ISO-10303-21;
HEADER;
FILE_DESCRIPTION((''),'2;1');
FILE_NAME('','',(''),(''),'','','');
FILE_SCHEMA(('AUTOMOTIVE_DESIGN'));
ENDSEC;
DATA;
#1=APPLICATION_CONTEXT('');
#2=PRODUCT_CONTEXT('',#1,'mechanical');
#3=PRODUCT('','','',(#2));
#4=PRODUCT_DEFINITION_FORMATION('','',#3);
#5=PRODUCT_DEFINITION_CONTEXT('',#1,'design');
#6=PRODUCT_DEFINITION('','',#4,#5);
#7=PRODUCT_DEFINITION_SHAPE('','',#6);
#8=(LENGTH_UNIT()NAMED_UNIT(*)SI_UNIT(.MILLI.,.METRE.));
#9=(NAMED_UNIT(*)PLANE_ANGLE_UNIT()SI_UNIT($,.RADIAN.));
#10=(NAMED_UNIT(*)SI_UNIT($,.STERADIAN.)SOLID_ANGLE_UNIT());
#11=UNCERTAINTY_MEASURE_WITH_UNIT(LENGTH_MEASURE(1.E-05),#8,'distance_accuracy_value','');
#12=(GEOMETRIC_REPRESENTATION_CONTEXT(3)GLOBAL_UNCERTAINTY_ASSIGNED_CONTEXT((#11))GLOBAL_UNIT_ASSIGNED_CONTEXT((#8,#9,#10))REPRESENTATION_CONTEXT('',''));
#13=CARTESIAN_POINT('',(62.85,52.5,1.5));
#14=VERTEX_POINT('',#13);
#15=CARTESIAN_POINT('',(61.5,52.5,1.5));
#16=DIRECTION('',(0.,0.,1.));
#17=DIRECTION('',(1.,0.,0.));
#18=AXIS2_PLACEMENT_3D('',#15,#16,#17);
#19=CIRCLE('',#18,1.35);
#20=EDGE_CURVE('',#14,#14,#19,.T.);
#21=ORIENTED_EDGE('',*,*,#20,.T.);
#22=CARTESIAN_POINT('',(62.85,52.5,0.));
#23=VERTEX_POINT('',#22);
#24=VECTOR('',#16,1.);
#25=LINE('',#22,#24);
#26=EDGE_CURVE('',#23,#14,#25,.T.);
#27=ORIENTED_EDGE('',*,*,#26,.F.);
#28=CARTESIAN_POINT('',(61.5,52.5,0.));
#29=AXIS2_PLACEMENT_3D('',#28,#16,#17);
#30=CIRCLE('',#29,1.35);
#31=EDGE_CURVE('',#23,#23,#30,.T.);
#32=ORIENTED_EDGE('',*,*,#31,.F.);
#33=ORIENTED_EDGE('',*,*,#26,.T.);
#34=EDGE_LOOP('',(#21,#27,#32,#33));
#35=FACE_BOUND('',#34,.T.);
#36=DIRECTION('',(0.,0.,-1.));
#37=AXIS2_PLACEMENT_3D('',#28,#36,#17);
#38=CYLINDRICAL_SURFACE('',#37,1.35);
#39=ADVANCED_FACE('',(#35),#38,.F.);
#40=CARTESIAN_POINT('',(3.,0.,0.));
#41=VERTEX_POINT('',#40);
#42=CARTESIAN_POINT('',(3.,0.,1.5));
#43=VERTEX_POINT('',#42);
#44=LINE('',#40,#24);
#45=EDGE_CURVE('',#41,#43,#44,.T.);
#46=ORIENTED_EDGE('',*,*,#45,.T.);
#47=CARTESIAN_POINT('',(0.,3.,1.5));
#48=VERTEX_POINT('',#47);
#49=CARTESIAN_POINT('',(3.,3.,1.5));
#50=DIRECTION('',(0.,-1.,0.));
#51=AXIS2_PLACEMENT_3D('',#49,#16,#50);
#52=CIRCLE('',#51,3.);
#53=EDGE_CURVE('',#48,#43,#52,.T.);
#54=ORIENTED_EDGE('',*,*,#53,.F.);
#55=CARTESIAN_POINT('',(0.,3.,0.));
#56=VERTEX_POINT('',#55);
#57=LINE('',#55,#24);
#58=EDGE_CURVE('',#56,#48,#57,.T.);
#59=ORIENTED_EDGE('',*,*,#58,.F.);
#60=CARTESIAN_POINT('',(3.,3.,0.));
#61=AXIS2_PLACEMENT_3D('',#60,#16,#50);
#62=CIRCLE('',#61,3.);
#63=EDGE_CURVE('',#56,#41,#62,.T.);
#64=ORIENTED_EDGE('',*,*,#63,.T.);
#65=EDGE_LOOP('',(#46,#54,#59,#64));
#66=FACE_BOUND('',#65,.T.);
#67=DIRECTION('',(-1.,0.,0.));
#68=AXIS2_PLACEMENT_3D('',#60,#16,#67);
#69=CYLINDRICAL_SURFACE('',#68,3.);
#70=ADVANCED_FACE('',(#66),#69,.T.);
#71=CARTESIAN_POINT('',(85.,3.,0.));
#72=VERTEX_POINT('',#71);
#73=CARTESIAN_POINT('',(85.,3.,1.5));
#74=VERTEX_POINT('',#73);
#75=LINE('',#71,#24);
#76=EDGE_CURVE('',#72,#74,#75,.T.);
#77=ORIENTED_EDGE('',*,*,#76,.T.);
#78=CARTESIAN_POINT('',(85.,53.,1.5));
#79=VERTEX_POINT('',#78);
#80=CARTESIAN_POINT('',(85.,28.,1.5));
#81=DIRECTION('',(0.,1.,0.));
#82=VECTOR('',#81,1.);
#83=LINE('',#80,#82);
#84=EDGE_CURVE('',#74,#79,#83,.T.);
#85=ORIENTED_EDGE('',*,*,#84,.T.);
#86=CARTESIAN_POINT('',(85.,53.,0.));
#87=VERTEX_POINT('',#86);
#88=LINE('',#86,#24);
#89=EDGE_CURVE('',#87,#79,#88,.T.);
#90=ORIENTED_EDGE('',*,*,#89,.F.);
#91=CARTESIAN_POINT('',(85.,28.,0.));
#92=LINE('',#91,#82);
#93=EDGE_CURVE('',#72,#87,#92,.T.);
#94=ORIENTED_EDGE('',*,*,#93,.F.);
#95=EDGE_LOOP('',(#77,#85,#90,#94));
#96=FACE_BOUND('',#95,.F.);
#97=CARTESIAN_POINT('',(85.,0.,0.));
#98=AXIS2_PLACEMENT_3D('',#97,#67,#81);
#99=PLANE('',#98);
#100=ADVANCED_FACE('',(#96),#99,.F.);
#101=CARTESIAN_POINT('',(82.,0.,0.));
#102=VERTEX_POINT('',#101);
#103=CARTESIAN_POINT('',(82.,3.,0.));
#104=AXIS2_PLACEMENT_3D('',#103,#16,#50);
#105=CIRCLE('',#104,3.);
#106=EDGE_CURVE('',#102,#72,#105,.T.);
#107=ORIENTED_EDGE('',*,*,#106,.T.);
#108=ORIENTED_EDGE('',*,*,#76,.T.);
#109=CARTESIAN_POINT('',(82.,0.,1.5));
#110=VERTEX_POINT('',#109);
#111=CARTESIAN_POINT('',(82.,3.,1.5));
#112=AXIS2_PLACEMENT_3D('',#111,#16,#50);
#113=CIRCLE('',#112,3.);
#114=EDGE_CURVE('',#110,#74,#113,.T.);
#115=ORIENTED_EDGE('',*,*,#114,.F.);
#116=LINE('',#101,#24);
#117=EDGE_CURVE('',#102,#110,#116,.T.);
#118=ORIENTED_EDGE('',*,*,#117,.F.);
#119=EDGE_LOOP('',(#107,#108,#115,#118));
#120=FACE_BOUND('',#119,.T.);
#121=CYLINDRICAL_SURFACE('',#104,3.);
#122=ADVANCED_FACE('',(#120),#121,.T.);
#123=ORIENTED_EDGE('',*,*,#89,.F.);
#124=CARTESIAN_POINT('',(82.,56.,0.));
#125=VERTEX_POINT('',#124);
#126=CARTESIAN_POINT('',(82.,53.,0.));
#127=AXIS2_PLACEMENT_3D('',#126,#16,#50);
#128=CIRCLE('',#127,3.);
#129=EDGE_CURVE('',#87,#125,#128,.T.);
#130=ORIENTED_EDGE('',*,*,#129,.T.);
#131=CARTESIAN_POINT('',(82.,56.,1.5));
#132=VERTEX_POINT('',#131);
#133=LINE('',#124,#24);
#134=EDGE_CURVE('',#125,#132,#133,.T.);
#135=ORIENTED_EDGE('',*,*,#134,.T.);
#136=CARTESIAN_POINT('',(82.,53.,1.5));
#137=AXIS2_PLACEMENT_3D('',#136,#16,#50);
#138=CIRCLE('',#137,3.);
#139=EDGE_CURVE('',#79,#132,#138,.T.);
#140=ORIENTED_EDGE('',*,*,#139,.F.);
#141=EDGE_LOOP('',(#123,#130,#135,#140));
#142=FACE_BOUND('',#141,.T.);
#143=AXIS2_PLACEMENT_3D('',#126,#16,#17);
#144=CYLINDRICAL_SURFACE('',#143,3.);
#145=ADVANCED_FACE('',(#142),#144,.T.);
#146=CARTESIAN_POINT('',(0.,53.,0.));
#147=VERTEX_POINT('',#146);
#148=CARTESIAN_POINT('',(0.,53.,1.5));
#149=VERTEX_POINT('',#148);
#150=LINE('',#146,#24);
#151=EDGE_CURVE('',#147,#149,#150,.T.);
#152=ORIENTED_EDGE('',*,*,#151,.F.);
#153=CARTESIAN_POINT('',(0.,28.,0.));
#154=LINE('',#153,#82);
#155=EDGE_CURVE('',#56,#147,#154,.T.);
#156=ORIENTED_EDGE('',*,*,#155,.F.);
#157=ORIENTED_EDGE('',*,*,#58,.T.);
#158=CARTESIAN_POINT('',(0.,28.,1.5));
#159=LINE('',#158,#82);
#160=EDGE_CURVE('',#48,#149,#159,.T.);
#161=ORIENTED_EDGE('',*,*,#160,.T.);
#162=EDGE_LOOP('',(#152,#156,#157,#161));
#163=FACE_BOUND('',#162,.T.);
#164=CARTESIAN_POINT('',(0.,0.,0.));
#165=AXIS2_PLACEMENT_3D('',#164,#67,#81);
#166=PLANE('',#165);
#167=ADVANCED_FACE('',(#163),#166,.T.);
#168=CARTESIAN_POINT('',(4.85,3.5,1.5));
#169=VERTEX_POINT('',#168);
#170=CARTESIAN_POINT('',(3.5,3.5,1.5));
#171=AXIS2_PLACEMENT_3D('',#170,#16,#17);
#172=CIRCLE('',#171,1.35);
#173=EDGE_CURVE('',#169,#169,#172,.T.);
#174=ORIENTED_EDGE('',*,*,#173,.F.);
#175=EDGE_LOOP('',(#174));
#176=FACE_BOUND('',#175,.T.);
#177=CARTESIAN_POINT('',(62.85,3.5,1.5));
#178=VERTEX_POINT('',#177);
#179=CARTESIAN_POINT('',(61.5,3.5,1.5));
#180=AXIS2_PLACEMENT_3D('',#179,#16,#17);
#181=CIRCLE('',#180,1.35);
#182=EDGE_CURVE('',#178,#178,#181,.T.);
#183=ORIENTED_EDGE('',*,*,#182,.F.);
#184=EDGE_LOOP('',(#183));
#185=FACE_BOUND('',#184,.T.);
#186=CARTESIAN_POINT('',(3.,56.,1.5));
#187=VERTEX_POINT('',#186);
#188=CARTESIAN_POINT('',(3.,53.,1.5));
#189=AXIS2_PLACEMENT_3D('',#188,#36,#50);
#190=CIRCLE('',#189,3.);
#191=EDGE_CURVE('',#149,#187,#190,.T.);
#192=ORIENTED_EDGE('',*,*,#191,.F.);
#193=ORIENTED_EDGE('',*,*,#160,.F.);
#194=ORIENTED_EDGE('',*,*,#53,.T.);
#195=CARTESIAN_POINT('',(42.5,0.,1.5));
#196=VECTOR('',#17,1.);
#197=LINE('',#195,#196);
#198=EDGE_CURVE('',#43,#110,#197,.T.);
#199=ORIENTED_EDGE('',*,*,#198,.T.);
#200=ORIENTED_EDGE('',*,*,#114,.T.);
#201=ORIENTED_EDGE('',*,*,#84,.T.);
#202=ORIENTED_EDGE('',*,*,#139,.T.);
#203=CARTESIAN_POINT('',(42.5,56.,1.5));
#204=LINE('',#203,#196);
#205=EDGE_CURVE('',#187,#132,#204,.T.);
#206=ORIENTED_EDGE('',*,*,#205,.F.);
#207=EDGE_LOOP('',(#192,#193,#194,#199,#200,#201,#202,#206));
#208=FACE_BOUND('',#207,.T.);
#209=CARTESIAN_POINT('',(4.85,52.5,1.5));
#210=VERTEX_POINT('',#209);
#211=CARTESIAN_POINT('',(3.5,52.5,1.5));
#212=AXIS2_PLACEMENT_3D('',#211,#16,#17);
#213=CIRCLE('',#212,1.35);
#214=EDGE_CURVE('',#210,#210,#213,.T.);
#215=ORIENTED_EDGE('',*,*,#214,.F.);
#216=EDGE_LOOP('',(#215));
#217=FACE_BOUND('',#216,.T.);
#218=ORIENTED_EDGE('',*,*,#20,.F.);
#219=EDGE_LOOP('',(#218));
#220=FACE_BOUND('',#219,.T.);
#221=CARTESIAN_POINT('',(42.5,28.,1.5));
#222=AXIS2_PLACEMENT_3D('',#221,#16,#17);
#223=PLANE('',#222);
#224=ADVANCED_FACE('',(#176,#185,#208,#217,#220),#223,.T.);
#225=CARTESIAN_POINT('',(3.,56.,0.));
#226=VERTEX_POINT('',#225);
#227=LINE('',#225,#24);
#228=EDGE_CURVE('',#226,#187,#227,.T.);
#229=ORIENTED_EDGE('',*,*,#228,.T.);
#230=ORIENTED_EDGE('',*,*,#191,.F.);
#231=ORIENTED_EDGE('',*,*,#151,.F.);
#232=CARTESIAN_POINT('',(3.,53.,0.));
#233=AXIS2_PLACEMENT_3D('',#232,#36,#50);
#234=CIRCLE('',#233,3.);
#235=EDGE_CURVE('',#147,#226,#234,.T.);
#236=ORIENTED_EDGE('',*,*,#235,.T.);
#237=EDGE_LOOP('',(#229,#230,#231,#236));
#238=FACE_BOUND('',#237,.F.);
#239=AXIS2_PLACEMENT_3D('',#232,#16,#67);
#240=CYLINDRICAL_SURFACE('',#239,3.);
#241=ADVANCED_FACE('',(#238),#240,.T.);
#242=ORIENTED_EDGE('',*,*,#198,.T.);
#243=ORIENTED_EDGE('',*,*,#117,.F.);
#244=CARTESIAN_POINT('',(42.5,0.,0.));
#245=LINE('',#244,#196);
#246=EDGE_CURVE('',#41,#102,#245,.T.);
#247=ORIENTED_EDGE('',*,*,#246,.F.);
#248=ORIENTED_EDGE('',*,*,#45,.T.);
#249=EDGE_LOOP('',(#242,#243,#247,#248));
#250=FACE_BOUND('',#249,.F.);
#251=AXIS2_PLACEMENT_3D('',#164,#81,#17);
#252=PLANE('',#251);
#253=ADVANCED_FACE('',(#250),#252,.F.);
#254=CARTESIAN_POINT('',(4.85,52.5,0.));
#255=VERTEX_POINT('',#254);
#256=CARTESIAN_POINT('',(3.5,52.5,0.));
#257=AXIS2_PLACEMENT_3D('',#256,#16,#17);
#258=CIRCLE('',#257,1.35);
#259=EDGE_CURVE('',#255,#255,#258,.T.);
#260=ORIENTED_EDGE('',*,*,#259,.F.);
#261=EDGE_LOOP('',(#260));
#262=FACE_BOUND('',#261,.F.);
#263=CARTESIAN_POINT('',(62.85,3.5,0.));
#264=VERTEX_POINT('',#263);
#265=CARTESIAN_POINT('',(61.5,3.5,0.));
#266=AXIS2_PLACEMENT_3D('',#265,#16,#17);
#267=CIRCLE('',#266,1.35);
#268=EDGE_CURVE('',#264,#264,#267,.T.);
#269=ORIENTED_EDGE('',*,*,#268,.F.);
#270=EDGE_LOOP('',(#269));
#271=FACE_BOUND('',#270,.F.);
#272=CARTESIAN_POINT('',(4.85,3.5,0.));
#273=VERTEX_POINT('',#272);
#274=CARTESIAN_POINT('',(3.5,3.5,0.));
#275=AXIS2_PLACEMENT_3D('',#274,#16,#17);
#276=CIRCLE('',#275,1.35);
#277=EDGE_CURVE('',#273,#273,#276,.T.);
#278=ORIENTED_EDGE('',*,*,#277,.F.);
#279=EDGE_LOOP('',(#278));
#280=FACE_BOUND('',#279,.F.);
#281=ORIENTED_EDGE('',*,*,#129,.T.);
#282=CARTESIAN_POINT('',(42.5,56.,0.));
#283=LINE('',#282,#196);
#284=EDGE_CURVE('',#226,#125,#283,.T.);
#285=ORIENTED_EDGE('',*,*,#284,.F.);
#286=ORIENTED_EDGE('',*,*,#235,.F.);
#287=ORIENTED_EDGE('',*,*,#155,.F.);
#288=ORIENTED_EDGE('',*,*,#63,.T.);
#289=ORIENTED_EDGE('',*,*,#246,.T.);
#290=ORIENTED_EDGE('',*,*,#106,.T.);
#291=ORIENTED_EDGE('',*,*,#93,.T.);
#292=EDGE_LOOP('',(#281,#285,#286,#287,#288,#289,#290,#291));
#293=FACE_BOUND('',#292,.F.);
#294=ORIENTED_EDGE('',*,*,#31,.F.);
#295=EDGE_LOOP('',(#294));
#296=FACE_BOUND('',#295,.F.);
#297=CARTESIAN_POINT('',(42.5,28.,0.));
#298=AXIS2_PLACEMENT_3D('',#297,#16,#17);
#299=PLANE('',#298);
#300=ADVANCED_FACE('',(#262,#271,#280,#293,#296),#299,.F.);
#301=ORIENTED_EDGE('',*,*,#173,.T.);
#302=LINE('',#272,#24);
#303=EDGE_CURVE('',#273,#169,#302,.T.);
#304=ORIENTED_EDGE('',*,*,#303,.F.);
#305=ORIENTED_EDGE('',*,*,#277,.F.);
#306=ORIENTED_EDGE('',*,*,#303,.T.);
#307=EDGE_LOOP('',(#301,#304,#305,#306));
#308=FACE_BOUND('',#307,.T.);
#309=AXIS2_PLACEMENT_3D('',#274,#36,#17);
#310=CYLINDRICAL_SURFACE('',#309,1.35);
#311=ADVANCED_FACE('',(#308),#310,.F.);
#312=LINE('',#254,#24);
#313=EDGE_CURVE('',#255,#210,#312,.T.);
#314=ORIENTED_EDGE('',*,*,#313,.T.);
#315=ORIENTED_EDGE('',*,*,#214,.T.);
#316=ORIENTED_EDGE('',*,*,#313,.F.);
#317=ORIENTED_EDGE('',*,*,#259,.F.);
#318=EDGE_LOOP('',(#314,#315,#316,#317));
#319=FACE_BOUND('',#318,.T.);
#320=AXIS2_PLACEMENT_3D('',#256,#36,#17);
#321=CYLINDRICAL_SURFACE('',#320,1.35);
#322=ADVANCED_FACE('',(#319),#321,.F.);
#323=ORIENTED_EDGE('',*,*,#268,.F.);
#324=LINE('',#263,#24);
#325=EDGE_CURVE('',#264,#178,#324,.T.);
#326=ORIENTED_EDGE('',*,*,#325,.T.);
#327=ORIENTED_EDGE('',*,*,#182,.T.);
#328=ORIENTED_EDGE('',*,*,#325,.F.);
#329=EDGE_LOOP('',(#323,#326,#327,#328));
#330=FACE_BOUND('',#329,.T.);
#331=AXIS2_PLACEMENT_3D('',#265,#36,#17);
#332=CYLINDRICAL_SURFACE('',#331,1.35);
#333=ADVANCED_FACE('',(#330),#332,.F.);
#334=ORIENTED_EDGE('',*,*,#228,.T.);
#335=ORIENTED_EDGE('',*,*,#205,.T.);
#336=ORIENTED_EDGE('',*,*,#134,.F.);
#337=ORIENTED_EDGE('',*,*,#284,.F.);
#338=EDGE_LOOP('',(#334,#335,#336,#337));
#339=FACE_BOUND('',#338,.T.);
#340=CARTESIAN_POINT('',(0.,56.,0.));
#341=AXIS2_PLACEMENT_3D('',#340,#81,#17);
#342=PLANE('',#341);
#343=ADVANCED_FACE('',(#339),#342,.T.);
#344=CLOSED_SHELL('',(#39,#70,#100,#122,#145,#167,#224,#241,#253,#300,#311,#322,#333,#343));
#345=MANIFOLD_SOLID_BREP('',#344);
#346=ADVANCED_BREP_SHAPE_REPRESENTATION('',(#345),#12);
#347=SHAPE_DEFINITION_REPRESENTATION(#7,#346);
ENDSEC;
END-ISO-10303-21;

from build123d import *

# Parameters (mm, degrees)
CYLINDER_R     = 1.35
CYLINDER_DEPTH = 1.5
ARRAY_X_COUNT  = 2
ARRAY_X_PITCH  = 58
ARRAY_Y_COUNT  = 2
ARRAY_Y_PITCH  = 49
BOX_W          = 85
BOX_H          = 56
BOX_DEPTH      = 1.5
FILLET006_R    = 3


with BuildPart() as mounting_holes:
    # Cylinder → Cylinder (new body)
    with BuildSketch(Plane(origin=(3.5, 3.5, 0), x_dir=(1, 0, 0), z_dir=(0, 0, 1))):
        Circle(CYLINDER_R)
    extrude(amount=CYLINDER_DEPTH)

    # Array X: Mounting Holes ×2


with BuildPart() as mounting_holes_1:
    add(mounting_holes.part)
    with Locations(*[(i * ARRAY_X_PITCH, 0, 0) for i in range(1, ARRAY_X_COUNT)]):
        add(mounting_holes.part)

    # Array Y: Mounting Holes ×2


with BuildPart() as mounting_holes_2:
    add(mounting_holes_1.part)
    with Locations(*[(0, i * ARRAY_Y_PITCH, 0) for i in range(1, ARRAY_Y_COUNT)]):
        add(mounting_holes_1.part)


with BuildPart() as pcb:
    # Box → Box (new body)
    with BuildSketch(Plane.XY):
        with Locations((42.5, 28)):
            Rectangle(BOX_W, BOX_H)
    extrude(amount=BOX_DEPTH)

    # Fillet006
    fillet006_edges = [pcb.edges().sort_by_distance(p)[0] for p in [
        (0, 0, 0.75),
        (0, 56, 0.75),
        (85, 0, 0.75),
        (85, 56, 0.75),
    ]]
    fillet(fillet006_edges, radius=FILLET006_R)

    # Cut: cut Mounting Holes
    add(mounting_holes_2.part, mode=Mode.SUBTRACT)


solid = pcb.part
